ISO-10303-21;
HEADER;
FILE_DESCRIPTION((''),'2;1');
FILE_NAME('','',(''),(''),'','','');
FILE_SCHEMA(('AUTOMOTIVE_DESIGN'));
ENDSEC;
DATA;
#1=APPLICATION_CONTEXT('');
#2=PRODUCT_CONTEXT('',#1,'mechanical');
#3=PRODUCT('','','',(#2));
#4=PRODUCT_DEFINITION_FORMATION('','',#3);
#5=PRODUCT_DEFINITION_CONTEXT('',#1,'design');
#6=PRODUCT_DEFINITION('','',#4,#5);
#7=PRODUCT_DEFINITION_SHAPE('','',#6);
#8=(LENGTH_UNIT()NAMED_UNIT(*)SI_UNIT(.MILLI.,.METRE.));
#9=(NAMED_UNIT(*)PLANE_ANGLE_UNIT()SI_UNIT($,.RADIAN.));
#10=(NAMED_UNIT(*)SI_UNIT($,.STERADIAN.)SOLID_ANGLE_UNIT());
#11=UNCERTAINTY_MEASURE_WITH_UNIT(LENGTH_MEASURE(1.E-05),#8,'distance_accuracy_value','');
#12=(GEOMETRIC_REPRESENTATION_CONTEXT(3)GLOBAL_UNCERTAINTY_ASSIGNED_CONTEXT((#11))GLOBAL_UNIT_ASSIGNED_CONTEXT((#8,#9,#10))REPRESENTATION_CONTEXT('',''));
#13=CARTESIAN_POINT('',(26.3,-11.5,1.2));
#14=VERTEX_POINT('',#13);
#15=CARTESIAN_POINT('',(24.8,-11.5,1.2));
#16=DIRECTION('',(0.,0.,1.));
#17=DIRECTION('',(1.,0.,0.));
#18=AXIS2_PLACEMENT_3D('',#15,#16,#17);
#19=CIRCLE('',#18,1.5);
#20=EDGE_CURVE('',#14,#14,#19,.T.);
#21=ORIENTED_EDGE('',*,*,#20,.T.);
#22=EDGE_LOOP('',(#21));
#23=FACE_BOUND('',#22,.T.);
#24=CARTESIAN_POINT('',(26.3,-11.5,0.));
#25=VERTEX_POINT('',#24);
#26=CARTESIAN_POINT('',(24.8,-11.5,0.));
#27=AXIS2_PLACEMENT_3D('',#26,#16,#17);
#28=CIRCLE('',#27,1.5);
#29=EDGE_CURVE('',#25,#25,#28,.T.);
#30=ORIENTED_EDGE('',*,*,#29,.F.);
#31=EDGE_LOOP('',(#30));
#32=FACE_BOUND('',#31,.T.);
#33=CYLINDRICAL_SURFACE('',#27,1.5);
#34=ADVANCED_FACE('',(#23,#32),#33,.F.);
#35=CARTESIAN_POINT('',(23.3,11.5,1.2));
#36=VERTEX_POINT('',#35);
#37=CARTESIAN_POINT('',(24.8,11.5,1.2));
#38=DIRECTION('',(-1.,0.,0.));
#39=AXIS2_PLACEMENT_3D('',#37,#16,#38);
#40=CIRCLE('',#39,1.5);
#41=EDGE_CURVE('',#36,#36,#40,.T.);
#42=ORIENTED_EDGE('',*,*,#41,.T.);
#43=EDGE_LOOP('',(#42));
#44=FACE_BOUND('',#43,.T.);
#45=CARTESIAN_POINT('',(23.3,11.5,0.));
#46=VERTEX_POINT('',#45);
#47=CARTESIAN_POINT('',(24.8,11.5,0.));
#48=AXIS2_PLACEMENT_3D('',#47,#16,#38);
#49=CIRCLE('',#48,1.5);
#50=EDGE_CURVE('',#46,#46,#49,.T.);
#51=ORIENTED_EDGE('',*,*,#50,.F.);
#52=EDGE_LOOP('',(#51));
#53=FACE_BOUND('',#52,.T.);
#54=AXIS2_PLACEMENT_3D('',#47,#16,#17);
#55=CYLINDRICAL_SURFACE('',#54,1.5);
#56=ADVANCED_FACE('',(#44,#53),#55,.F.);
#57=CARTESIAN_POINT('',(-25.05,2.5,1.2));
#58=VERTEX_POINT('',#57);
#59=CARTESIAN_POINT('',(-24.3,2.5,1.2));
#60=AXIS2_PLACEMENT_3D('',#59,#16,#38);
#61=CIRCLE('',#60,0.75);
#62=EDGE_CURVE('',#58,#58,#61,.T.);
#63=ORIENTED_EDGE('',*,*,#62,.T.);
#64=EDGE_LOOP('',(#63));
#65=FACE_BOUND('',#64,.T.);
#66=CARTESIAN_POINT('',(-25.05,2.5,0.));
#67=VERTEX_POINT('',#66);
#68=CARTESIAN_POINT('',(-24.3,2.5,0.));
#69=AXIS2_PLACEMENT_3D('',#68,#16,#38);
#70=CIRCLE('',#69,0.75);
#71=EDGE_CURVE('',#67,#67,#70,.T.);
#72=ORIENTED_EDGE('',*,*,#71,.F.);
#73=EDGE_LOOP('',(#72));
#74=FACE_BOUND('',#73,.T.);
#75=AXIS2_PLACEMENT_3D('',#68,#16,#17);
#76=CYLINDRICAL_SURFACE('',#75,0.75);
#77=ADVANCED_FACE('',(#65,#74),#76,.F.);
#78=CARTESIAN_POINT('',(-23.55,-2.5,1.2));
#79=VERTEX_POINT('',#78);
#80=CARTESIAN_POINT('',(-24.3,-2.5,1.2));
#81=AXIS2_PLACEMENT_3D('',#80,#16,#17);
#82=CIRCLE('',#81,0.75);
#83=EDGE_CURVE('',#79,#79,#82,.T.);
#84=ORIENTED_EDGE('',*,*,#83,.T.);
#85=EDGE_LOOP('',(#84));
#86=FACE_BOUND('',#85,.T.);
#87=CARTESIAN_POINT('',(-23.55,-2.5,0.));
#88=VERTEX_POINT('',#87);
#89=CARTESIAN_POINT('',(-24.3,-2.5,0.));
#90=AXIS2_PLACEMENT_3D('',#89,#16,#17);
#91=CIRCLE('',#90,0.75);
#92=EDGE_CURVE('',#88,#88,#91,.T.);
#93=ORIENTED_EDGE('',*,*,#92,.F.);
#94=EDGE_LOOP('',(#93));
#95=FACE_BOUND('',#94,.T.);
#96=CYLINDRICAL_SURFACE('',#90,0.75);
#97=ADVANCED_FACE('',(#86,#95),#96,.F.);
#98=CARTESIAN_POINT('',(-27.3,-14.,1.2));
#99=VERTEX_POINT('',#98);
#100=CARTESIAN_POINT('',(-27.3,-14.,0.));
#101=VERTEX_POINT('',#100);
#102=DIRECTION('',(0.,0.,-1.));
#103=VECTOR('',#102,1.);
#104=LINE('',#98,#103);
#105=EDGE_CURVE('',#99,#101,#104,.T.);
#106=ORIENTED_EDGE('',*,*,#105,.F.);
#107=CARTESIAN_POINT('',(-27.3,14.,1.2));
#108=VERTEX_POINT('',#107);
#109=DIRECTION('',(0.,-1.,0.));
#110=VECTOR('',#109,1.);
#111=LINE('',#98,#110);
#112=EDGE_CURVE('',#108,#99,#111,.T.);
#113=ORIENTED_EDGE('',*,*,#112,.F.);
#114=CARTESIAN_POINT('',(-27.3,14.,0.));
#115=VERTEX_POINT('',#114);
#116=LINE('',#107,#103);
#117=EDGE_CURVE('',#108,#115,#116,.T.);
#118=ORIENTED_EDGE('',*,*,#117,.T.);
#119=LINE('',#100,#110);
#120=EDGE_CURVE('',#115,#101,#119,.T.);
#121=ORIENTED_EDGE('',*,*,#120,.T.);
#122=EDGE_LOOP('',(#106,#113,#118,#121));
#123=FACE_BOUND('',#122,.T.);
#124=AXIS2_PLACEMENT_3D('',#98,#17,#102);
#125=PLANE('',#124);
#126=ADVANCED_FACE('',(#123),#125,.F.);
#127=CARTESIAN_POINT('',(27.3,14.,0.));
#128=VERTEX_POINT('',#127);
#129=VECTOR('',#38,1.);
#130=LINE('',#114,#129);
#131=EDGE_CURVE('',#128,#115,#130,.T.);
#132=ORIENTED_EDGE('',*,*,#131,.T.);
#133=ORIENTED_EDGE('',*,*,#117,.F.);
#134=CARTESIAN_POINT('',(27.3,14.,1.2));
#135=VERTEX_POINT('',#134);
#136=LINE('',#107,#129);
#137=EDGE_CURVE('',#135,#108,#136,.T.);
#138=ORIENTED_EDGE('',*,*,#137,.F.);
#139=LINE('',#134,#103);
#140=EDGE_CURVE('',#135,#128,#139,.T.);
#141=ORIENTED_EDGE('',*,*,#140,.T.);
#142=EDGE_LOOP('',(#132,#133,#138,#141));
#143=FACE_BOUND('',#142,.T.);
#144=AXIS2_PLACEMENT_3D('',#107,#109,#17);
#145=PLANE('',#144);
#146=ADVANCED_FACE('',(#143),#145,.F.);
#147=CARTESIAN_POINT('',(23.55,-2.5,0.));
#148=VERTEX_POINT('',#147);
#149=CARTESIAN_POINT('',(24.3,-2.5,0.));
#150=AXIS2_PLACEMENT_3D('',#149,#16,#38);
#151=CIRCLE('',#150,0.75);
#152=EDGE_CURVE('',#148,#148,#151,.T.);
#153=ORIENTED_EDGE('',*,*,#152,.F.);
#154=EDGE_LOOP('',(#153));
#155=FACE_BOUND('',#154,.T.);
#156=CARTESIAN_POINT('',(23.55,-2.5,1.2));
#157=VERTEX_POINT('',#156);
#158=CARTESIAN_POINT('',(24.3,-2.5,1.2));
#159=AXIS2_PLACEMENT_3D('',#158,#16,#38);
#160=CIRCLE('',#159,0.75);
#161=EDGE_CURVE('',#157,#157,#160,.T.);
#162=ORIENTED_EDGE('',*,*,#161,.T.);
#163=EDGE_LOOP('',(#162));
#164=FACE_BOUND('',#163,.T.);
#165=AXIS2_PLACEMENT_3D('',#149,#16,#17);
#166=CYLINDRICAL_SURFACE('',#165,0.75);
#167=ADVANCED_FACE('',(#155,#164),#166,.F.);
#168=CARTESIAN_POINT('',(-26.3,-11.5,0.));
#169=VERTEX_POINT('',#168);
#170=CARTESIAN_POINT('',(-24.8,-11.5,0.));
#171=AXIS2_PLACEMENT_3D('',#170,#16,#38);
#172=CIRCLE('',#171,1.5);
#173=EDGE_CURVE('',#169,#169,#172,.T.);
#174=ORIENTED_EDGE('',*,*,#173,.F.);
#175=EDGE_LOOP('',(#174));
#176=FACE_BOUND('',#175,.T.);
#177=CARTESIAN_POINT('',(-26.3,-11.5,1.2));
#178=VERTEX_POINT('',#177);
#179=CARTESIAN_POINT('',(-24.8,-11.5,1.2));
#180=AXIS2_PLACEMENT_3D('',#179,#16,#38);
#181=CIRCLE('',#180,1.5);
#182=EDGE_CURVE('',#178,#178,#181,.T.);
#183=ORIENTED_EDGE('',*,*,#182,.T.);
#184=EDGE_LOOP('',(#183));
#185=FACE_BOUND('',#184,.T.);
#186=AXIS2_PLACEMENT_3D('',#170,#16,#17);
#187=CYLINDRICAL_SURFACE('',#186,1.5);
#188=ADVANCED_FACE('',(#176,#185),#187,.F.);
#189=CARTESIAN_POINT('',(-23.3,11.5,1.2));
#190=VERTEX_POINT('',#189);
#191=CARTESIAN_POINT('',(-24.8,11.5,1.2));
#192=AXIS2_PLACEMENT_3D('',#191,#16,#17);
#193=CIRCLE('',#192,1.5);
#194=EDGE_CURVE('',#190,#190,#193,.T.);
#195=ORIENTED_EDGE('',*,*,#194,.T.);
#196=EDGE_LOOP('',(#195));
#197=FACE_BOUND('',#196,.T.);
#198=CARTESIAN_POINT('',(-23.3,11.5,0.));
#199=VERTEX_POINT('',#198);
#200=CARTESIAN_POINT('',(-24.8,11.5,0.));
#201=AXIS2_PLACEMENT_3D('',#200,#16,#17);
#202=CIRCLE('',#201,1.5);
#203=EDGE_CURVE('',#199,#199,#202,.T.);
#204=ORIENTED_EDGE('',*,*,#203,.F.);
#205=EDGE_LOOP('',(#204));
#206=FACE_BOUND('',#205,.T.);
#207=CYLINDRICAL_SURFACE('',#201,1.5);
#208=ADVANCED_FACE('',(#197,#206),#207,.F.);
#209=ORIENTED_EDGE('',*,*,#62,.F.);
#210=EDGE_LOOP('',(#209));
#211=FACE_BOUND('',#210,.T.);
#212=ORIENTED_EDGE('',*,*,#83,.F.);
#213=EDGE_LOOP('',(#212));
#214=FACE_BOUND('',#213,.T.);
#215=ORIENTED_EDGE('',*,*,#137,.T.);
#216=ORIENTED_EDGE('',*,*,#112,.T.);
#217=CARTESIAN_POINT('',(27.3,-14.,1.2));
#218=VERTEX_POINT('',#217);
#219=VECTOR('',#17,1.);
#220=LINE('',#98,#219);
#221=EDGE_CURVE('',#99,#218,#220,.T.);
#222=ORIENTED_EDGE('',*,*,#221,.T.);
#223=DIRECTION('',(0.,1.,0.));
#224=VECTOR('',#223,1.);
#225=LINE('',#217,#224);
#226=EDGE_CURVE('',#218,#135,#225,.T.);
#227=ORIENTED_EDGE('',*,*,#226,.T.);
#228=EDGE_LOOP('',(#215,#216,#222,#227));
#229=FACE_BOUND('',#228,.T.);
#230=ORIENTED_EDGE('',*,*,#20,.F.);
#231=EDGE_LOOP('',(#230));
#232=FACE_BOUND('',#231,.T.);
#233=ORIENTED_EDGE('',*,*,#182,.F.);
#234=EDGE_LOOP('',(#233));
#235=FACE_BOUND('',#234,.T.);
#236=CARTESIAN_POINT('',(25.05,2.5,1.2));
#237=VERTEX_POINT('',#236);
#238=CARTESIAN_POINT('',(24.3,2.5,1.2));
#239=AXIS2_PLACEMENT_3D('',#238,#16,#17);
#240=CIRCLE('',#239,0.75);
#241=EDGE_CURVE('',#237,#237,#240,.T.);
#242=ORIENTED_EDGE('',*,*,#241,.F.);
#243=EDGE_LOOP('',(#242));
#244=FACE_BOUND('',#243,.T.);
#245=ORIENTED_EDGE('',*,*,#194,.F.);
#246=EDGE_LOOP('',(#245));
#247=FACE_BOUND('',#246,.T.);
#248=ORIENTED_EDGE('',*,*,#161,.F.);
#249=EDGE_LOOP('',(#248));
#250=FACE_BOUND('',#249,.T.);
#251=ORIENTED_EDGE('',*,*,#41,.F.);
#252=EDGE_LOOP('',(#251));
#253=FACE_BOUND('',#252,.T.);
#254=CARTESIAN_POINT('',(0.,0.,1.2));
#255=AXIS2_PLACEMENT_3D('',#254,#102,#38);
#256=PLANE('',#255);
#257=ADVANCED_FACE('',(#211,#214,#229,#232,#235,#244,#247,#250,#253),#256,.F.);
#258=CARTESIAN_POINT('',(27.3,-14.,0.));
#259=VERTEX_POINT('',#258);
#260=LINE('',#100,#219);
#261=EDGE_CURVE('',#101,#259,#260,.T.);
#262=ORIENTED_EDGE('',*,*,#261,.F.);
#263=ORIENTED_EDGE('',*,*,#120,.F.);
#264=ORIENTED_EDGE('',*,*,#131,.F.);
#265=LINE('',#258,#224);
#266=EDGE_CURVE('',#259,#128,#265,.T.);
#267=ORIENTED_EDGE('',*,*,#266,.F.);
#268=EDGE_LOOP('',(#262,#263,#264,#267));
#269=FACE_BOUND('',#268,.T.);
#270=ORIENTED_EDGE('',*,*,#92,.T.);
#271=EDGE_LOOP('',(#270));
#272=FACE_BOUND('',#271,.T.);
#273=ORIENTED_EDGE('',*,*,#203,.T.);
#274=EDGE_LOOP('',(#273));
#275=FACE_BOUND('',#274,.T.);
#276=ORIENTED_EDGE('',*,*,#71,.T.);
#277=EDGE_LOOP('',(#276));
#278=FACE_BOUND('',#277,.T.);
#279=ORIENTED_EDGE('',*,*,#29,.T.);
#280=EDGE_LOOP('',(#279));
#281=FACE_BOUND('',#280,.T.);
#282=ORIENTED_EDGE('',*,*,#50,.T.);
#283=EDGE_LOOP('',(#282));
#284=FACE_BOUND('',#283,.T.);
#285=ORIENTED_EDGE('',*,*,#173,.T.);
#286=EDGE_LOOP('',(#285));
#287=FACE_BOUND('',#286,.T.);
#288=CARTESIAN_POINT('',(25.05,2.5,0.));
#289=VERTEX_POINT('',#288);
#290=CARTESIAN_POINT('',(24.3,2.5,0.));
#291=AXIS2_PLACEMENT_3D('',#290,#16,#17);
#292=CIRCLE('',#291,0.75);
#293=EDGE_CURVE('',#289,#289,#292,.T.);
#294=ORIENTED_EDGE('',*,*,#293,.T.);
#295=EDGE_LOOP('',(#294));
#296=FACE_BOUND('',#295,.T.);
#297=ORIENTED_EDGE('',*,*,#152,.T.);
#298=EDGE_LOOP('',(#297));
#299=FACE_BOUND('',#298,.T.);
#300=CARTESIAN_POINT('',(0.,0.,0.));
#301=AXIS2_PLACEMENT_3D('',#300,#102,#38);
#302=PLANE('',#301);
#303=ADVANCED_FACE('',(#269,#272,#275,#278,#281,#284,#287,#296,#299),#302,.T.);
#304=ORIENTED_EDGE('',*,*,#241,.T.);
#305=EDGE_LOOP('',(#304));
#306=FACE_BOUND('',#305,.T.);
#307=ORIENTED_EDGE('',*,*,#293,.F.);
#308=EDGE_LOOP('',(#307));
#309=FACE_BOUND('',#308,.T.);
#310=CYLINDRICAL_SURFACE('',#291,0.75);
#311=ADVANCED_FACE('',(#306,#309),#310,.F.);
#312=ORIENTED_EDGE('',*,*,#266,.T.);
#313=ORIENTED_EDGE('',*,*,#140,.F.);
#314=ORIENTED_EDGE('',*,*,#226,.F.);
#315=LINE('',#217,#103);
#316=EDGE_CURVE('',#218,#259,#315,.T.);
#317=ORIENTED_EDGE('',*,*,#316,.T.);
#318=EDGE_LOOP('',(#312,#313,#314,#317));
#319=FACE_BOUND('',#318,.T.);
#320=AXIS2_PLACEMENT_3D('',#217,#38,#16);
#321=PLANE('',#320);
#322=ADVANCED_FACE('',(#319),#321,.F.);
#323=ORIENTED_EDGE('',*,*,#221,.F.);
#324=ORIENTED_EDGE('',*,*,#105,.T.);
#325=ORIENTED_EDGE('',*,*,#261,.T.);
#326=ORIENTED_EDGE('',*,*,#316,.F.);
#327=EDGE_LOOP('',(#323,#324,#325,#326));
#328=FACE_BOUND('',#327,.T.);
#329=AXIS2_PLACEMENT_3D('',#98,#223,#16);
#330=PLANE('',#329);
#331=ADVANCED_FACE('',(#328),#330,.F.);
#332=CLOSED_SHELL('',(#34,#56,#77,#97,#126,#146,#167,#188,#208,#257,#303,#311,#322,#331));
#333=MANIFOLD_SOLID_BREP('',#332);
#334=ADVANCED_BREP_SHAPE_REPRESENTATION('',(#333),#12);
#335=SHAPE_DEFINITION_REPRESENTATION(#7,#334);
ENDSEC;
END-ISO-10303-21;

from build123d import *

# Parameters (mm, degrees)
ESBO_O1_W                = 54.6
ESBO_O1_H                = 28
RESSALTO_EXTRUS_O1_DEPTH = 1.2
ESBO_O2_R                = 1.5
CORTE_EXTRUS_O1_DEPTH    = 31.703908546
ESBO_O3_R                = 0.75
CORTE_EXTRUS_O2_DEPTH    = 31.703908546


with BuildPart() as part:
    # Esboço1 → Ressalto-extrusão1 (new body)
    with BuildSketch(Plane.XY):
        Rectangle(ESBO_O1_W, ESBO_O1_H)
    extrude(amount=RESSALTO_EXTRUS_O1_DEPTH)

    # Esboço2 → Corte-extrusão1 (cut, through all)
    with BuildSketch(Plane.XY.offset(1.2)):
        with Locations((-24.8, 11.5)):
            Circle(ESBO_O2_R)
        with Locations(Location((24.8, 11.5, 0), (0, 0, 180))):
            Circle(ESBO_O2_R)
        with Locations(Location((-24.8, -11.5, 0), (0, 0, 180))):
            Circle(ESBO_O2_R)
        with Locations((24.8, -11.5)):
            Circle(ESBO_O2_R)
    extrude(amount=-CORTE_EXTRUS_O1_DEPTH, mode=Mode.SUBTRACT)

    # Esboço3 → Corte-extrusão2 (cut, through all)
    with BuildSketch(Plane.XY.offset(1.2)):
        with Locations((24.3, 2.5)):
            Circle(ESBO_O3_R)
        with Locations(Location((24.3, -2.5, 0), (0, 0, 180))):
            Circle(ESBO_O3_R)
        with Locations((-24.3, -2.5)):
            Circle(ESBO_O3_R)
        with Locations(Location((-24.3, 2.5, 0), (0, 0, 180))):
            Circle(ESBO_O3_R)
    extrude(amount=-CORTE_EXTRUS_O2_DEPTH, mode=Mode.SUBTRACT)


solid = part.part
